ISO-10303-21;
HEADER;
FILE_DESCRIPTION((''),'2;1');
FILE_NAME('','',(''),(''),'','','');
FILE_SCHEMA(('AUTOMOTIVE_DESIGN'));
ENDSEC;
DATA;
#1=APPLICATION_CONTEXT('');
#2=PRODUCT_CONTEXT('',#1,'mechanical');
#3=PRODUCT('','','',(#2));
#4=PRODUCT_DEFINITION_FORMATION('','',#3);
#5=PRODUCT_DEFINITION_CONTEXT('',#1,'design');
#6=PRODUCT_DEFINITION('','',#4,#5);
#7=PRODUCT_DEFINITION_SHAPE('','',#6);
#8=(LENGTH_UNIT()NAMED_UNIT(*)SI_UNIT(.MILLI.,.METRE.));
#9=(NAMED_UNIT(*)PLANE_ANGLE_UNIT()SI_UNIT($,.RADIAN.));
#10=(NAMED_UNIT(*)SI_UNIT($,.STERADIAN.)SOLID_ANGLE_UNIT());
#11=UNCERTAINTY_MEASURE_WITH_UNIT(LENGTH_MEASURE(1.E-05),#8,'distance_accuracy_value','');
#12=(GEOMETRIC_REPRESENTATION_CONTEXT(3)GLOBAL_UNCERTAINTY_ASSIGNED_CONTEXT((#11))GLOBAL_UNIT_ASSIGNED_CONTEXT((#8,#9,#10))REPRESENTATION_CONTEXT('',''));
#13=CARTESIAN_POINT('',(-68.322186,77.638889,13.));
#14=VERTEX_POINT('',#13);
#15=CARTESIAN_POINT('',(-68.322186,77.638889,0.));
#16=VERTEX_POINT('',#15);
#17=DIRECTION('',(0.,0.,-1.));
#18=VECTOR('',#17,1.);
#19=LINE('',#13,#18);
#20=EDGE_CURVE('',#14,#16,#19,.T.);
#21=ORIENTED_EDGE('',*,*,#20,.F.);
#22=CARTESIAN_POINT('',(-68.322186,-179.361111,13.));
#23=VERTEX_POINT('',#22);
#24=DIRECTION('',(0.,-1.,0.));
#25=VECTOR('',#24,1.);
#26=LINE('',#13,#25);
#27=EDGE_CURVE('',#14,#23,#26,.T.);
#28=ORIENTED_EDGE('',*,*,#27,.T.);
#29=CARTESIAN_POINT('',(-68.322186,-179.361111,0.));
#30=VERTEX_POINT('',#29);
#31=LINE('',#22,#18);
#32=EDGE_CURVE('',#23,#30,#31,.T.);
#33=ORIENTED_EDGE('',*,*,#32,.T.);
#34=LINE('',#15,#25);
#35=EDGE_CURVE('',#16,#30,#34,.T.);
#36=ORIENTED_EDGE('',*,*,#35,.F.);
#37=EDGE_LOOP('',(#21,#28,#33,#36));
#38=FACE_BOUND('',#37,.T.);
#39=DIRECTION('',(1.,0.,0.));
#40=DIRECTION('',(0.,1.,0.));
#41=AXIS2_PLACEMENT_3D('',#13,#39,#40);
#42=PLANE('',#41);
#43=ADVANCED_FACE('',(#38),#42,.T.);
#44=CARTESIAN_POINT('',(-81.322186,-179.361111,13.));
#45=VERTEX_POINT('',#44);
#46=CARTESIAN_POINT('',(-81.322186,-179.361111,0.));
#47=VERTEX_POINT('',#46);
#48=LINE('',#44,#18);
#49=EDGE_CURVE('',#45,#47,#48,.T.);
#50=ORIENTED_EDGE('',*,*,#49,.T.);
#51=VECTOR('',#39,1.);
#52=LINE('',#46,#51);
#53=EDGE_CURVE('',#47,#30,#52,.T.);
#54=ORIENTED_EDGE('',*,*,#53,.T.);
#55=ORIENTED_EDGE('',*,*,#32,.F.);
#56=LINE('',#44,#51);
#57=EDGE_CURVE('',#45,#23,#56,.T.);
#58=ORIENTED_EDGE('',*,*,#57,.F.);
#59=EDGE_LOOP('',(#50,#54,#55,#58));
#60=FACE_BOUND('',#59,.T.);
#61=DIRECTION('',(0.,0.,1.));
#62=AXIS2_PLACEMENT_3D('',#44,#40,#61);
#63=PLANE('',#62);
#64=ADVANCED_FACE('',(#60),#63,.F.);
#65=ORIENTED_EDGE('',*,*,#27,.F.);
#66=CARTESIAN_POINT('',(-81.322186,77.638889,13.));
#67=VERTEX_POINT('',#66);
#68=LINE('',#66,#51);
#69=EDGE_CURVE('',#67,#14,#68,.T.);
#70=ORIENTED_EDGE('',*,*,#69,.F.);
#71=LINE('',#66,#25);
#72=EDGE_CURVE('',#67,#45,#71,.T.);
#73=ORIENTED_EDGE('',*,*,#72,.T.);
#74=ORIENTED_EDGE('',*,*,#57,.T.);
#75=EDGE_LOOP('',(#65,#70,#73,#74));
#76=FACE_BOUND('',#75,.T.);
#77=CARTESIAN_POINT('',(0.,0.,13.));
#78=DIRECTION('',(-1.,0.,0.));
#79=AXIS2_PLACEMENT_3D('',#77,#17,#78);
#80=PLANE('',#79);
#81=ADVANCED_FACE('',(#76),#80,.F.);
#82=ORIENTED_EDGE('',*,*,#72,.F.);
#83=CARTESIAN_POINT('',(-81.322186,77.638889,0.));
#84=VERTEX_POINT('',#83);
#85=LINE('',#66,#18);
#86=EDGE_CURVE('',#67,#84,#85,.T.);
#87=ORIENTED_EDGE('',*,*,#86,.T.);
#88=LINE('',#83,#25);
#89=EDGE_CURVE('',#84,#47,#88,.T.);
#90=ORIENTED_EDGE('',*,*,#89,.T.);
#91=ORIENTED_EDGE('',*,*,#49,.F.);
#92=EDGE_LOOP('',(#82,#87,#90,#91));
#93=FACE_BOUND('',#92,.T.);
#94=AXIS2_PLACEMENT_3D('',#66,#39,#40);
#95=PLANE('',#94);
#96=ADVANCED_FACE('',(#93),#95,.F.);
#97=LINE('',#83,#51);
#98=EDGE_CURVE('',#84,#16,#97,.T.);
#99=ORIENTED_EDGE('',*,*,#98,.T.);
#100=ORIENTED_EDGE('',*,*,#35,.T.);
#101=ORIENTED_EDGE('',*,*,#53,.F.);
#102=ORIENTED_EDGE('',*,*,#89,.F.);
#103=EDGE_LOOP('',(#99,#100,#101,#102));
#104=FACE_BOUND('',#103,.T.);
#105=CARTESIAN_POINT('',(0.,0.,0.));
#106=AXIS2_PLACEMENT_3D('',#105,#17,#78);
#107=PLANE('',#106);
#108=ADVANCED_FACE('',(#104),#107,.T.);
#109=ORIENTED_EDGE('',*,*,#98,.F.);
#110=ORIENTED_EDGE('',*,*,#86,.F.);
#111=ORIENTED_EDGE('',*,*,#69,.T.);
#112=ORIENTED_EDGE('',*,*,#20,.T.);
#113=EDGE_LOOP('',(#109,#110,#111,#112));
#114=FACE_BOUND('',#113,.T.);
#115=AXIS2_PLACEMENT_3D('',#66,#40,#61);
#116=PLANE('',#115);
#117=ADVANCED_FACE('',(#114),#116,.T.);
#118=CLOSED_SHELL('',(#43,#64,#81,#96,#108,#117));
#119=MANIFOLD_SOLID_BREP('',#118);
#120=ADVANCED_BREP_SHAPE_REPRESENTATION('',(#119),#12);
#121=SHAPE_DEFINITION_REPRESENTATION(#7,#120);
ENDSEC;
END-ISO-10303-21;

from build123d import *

# Parameters (mm, degrees)
ESQUISSE1_W        = 13
ESQUISSE1_H        = 257
BOSS_EXTRU_1_DEPTH = 13


with BuildPart() as part:
    # Esquisse1 → Boss.-Extru.1 (new body)
    with BuildSketch(Plane.XY):
        with Locations((-74.822185673, -50.861111111)):
            Rectangle(ESQUISSE1_W, ESQUISSE1_H)
    extrude(amount=BOSS_EXTRU_1_DEPTH)


solid = part.part
